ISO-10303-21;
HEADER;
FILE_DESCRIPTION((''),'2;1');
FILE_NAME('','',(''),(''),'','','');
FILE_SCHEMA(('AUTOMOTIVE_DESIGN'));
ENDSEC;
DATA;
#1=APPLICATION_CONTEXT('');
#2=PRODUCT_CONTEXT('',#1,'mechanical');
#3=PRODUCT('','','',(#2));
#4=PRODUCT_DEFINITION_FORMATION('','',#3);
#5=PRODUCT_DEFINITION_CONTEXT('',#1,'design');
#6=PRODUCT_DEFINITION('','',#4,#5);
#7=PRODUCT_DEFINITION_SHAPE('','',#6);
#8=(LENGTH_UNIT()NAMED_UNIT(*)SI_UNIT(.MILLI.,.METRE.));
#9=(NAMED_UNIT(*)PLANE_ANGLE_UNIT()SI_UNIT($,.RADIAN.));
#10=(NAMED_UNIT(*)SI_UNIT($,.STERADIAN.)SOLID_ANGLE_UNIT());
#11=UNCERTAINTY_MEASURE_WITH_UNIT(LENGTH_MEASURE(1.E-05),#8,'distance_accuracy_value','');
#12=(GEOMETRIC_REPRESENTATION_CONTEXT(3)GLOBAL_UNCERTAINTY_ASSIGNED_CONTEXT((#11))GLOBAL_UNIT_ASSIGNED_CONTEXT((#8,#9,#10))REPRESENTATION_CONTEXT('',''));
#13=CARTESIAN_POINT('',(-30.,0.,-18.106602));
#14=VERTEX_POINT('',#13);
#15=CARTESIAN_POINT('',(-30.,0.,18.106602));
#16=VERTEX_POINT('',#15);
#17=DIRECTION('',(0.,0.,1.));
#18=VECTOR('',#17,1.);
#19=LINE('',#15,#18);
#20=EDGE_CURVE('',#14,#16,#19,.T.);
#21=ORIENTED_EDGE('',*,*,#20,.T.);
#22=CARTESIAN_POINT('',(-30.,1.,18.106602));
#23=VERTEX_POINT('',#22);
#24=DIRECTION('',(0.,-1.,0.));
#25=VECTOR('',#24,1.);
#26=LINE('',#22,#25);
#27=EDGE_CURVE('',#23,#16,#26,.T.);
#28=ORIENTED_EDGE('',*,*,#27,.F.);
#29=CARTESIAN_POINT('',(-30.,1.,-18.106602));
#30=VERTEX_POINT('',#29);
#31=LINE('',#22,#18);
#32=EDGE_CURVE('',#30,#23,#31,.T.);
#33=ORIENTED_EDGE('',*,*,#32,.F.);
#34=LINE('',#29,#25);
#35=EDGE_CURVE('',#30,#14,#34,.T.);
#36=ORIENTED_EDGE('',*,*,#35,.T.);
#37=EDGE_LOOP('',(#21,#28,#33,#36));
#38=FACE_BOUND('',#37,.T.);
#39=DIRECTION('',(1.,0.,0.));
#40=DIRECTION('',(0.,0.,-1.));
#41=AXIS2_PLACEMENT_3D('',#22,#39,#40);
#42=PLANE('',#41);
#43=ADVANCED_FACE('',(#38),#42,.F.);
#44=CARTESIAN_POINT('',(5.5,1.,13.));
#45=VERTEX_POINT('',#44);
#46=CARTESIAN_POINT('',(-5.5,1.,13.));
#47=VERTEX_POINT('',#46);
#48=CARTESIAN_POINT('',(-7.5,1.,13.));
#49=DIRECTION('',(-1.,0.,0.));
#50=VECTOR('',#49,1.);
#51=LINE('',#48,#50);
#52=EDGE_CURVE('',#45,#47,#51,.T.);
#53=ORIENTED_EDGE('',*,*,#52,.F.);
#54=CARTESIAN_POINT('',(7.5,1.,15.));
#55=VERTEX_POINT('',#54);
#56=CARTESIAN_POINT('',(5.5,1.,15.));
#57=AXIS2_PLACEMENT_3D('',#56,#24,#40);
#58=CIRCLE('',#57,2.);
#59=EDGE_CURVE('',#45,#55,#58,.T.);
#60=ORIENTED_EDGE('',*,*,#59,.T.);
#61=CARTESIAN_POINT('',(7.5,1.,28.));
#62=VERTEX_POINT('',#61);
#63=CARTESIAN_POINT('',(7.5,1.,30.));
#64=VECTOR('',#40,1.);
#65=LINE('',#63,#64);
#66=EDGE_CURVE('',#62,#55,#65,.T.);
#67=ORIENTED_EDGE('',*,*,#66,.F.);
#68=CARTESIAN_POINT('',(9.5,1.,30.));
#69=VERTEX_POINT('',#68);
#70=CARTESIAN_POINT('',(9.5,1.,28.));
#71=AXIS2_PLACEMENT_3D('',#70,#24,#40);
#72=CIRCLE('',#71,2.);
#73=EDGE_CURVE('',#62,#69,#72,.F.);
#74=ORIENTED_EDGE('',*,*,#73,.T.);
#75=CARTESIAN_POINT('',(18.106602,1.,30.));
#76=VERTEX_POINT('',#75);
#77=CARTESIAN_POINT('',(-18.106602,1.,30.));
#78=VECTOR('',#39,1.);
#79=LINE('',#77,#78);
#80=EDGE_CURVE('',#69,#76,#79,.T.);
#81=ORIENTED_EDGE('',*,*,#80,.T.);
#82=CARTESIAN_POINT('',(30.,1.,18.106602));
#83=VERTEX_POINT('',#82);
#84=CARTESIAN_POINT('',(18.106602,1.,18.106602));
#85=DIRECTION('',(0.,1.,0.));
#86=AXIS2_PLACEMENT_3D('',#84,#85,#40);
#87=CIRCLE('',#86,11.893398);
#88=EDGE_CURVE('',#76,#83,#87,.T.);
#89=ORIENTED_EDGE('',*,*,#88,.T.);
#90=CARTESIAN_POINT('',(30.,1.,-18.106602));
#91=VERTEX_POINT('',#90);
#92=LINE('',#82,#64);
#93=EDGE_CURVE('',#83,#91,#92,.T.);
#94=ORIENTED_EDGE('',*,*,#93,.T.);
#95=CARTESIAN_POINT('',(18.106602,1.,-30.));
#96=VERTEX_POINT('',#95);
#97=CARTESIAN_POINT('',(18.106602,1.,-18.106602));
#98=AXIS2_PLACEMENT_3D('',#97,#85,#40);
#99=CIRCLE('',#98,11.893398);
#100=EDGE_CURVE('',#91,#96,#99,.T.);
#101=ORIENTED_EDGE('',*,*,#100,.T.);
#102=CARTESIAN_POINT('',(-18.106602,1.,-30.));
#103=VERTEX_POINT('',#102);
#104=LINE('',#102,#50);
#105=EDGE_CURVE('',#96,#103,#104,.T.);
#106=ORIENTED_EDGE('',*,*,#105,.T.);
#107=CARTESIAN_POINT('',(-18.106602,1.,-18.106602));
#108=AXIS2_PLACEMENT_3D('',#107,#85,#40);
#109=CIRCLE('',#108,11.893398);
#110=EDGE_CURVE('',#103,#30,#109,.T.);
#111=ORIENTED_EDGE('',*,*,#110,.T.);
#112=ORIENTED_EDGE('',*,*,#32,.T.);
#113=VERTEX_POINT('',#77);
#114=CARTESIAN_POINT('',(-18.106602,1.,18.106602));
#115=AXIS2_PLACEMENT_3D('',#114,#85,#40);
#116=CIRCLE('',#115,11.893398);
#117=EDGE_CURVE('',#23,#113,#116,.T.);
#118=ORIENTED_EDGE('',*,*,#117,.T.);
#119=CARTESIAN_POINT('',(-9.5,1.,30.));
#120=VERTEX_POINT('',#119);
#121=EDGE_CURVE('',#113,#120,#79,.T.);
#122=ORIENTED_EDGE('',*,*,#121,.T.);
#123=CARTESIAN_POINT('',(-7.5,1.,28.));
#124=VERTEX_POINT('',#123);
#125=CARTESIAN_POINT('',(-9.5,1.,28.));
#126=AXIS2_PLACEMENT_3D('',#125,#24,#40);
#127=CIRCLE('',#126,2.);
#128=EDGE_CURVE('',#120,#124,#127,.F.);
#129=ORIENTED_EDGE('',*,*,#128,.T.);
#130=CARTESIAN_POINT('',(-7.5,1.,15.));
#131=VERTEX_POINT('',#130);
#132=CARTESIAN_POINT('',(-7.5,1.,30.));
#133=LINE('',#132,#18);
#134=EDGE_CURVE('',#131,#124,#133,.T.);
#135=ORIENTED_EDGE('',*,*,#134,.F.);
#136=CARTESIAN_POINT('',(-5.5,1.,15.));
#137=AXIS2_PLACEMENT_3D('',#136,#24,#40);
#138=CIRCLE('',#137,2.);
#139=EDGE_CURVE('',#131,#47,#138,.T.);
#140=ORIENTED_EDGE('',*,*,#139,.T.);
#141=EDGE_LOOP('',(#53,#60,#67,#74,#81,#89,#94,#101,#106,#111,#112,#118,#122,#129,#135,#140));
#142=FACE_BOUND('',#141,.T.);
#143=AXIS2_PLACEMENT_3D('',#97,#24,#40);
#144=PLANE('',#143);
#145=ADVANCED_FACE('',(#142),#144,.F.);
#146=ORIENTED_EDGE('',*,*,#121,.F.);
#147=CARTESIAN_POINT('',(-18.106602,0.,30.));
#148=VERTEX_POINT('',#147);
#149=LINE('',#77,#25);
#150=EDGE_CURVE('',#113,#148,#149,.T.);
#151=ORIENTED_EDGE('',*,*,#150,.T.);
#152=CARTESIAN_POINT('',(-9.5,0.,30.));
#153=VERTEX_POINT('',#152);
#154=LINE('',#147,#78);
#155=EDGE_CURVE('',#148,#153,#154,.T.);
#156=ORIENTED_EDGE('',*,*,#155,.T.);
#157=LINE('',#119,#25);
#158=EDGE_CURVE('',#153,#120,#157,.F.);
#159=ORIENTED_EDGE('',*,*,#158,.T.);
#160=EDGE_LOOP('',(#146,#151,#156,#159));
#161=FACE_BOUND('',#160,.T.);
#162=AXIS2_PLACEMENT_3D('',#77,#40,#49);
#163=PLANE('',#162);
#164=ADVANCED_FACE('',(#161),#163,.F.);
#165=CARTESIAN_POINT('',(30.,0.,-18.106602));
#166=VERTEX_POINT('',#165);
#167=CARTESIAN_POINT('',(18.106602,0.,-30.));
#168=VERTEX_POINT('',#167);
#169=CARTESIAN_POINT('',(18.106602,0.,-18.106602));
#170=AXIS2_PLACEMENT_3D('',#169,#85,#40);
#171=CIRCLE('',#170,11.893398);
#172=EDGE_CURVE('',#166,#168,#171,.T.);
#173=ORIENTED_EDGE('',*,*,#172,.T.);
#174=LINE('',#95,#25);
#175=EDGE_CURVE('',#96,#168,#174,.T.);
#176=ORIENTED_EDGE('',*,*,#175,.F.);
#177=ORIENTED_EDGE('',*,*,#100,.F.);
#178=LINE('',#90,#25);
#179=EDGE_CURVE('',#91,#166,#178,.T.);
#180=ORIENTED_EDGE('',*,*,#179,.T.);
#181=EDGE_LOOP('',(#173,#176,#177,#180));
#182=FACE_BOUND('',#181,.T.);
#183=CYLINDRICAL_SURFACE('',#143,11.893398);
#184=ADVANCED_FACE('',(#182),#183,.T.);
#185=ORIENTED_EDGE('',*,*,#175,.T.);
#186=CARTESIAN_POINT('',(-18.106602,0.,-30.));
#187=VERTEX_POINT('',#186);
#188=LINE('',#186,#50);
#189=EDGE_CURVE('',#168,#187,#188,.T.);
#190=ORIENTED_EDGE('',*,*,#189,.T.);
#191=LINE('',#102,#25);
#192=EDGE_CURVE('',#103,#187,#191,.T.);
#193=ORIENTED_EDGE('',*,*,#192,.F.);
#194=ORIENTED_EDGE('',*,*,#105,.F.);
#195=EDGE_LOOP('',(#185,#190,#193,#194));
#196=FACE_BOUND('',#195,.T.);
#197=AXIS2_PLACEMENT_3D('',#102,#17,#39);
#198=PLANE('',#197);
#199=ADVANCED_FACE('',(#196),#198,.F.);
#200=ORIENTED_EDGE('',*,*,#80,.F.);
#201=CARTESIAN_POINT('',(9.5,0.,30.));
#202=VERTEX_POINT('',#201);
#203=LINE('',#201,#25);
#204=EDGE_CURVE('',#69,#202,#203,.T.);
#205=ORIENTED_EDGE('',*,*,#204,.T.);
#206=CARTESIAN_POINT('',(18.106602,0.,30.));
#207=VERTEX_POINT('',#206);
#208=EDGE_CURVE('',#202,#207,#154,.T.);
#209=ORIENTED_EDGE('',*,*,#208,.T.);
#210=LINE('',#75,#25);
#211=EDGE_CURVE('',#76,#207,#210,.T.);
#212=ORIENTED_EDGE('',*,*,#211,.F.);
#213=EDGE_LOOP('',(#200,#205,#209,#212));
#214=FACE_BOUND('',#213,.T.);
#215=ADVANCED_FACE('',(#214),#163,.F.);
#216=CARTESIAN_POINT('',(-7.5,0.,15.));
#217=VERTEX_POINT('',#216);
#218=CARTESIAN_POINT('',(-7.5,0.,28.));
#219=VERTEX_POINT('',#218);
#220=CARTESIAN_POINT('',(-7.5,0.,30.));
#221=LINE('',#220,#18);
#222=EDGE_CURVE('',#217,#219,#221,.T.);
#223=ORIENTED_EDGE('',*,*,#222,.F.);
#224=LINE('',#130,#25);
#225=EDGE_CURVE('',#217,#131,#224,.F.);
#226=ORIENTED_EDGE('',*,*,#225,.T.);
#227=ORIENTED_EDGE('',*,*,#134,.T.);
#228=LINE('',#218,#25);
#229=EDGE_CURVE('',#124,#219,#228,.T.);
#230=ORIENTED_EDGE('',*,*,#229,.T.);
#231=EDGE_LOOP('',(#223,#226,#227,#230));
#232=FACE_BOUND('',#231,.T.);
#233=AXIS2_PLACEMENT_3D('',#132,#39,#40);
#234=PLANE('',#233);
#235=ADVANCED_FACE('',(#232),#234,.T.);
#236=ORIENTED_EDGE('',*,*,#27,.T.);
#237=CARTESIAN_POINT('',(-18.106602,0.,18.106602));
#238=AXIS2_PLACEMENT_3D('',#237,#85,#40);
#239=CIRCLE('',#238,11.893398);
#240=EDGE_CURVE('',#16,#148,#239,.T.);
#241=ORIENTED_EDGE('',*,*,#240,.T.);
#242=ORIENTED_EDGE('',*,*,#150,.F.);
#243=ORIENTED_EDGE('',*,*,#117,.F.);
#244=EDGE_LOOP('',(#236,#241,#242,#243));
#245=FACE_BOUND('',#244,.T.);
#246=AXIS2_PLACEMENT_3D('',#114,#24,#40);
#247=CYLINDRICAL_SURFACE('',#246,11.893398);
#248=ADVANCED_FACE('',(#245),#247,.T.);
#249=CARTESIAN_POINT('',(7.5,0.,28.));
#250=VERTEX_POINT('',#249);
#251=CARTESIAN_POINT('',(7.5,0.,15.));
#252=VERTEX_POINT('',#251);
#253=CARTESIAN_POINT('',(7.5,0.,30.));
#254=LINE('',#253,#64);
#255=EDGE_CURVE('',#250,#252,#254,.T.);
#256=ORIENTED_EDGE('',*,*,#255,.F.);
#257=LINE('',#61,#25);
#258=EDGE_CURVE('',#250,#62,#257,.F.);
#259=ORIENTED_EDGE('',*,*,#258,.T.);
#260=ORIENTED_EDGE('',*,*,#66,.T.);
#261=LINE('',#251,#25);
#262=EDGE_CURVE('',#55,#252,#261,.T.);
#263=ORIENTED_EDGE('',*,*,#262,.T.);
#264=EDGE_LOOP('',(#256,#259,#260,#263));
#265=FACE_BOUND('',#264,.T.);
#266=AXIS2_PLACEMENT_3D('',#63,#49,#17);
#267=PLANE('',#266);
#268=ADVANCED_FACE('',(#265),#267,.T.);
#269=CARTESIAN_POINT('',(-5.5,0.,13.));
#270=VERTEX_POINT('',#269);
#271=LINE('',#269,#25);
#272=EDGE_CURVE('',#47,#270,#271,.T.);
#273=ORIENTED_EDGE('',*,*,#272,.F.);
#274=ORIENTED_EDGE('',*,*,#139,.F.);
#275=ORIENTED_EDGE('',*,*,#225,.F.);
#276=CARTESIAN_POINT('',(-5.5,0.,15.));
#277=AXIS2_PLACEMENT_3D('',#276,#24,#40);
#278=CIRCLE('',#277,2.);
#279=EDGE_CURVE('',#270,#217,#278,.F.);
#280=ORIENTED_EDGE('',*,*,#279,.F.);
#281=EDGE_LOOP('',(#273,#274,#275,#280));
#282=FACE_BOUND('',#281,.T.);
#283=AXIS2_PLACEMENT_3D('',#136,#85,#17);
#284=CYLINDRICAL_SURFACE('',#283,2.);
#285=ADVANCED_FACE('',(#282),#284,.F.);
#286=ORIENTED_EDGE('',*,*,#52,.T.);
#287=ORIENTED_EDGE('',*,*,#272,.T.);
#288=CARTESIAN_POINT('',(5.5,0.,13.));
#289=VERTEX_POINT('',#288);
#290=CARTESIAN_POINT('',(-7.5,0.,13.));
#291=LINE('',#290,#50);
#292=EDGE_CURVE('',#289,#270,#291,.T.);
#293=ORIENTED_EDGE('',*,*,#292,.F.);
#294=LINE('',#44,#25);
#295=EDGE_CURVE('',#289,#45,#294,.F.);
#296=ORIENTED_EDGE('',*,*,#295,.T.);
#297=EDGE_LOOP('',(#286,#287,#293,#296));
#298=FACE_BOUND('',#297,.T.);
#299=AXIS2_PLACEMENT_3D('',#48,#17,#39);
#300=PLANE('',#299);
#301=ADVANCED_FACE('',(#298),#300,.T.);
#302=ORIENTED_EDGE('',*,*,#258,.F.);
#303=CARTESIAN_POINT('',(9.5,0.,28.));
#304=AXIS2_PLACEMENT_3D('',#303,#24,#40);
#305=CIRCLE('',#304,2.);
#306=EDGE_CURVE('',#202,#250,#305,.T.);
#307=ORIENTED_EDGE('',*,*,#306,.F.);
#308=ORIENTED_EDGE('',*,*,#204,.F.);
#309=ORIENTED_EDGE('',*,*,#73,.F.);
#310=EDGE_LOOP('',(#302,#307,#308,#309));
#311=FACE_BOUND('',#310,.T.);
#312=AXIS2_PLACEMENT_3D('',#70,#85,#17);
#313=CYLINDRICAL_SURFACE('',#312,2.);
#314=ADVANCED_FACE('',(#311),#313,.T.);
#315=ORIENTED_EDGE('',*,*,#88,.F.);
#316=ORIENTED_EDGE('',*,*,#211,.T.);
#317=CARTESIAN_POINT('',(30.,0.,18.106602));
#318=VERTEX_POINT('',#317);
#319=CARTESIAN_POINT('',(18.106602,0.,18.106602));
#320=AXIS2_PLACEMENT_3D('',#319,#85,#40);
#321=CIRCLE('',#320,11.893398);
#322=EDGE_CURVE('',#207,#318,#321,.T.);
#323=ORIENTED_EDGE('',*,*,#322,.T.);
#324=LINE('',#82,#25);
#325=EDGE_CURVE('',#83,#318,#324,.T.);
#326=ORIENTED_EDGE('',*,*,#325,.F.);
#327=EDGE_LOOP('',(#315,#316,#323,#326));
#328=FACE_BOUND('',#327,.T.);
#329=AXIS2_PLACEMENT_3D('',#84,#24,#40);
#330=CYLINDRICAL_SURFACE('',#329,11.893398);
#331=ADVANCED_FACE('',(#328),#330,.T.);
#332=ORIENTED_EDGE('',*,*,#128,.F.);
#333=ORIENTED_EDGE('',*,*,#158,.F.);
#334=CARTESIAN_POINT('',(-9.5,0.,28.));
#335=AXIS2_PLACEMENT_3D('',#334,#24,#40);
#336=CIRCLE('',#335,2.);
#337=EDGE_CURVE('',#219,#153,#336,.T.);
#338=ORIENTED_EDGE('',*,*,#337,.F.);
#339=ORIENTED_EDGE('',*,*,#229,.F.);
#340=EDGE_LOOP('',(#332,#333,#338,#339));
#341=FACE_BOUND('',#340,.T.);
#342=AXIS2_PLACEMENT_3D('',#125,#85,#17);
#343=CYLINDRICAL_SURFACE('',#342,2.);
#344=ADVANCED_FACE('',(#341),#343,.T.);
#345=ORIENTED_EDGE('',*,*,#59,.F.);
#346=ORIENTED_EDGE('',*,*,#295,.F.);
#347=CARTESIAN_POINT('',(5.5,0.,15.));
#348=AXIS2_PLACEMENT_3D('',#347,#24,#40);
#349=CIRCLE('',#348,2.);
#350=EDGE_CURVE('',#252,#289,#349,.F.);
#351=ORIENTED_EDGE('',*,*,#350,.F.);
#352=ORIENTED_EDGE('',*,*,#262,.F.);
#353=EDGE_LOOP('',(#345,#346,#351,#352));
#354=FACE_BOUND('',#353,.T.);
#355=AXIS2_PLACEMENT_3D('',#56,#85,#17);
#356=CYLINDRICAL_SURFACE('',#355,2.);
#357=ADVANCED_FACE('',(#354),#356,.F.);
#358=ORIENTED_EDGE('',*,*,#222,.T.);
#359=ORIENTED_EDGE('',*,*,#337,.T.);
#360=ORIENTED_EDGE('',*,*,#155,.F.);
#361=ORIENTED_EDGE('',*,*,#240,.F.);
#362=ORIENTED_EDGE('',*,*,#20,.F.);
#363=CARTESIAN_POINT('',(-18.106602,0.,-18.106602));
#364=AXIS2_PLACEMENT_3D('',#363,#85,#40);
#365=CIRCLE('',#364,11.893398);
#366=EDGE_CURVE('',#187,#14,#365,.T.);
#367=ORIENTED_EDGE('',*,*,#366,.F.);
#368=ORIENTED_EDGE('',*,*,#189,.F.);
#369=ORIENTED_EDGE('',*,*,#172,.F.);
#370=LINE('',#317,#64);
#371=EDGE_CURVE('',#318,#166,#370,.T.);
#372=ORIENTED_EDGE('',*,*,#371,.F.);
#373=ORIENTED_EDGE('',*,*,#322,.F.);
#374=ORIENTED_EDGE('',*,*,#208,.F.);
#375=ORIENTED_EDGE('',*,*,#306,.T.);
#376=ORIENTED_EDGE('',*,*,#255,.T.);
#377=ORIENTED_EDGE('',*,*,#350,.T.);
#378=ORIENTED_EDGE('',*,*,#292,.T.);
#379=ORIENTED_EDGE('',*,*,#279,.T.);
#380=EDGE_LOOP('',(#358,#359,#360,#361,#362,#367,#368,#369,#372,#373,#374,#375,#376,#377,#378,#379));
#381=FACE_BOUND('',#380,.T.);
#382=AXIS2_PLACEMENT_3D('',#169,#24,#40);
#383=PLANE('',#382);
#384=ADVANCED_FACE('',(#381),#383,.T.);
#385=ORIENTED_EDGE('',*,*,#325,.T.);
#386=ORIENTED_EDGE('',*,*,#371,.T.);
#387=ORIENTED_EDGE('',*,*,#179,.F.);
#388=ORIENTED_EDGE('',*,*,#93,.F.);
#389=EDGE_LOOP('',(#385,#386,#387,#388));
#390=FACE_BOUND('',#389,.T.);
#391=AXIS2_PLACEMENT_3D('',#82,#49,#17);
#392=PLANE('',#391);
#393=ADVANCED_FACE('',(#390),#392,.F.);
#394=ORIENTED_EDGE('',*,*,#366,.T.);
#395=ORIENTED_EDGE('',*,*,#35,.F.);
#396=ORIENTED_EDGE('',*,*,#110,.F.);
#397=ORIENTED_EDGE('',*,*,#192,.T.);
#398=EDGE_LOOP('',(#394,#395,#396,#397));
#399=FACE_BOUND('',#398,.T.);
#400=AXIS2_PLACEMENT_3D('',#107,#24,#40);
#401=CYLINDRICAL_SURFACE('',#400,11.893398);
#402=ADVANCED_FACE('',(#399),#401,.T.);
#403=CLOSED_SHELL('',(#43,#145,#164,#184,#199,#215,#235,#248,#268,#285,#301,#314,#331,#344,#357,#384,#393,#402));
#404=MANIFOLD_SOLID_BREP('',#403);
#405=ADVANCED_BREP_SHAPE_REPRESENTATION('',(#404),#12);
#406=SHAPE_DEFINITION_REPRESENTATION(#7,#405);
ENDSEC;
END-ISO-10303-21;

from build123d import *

# Parameters (mm, degrees)
BOSS_EXTRUDE1_DEPTH = 1
SKETCH3_W           = 15
SKETCH3_H           = 17
CUT_EXTRUDE1_DEPTH  = 1
FILLET1_R           = 2


with BuildPart() as part:
    # Sketch2 → Boss-Extrude1 (new body)
    with BuildSketch(Plane(origin=(0, 0, 0), x_dir=(1, 0, 0), z_dir=(0, 1, 0))):
        with BuildLine():
            Line((-18.106601718, -30), (18.106601718, -30))
            ThreePointArc((18.106601718, -30), (26.516504294, -26.516504294), (30, -18.106601718))
            Line((30, -18.106601718), (30, 18.106601718))
            ThreePointArc((30, 18.106601718), (26.516504294, 26.516504294), (18.106601718, 30))
            Line((18.106601718, 30), (-18.106601718, 30))
            ThreePointArc((-18.106601718, 30), (-26.516504294, 26.516504294), (-30, 18.106601718))
            Line((-30, 18.106601718), (-30, -18.106601718))
            ThreePointArc((-30, -18.106601718), (-26.516504294, -26.516504294), (-18.106601718, -30))
        make_face()
    extrude(amount=BOSS_EXTRUDE1_DEPTH)

    # Sketch3 → Cut-Extrude1 (cut)
    with BuildSketch(Plane(origin=(0, 0, 0), x_dir=(1, 0, 0), z_dir=(0, 1, 0))):
        with Locations((0, -21.5)):
            Rectangle(SKETCH3_W, SKETCH3_H)
    extrude(amount=CUT_EXTRUDE1_DEPTH, mode=Mode.SUBTRACT)

    # Fillet1
    fillet1_edges = [part.edges().sort_by_distance(p)[0] for p in [
        (-7.5, 0.5, 13),
        (-7.5, 0.5, 30),
        (7.5, 0.5, 30),
        (7.5, 0.5, 13),
    ]]
    fillet(fillet1_edges, radius=FILLET1_R)


solid = part.part
